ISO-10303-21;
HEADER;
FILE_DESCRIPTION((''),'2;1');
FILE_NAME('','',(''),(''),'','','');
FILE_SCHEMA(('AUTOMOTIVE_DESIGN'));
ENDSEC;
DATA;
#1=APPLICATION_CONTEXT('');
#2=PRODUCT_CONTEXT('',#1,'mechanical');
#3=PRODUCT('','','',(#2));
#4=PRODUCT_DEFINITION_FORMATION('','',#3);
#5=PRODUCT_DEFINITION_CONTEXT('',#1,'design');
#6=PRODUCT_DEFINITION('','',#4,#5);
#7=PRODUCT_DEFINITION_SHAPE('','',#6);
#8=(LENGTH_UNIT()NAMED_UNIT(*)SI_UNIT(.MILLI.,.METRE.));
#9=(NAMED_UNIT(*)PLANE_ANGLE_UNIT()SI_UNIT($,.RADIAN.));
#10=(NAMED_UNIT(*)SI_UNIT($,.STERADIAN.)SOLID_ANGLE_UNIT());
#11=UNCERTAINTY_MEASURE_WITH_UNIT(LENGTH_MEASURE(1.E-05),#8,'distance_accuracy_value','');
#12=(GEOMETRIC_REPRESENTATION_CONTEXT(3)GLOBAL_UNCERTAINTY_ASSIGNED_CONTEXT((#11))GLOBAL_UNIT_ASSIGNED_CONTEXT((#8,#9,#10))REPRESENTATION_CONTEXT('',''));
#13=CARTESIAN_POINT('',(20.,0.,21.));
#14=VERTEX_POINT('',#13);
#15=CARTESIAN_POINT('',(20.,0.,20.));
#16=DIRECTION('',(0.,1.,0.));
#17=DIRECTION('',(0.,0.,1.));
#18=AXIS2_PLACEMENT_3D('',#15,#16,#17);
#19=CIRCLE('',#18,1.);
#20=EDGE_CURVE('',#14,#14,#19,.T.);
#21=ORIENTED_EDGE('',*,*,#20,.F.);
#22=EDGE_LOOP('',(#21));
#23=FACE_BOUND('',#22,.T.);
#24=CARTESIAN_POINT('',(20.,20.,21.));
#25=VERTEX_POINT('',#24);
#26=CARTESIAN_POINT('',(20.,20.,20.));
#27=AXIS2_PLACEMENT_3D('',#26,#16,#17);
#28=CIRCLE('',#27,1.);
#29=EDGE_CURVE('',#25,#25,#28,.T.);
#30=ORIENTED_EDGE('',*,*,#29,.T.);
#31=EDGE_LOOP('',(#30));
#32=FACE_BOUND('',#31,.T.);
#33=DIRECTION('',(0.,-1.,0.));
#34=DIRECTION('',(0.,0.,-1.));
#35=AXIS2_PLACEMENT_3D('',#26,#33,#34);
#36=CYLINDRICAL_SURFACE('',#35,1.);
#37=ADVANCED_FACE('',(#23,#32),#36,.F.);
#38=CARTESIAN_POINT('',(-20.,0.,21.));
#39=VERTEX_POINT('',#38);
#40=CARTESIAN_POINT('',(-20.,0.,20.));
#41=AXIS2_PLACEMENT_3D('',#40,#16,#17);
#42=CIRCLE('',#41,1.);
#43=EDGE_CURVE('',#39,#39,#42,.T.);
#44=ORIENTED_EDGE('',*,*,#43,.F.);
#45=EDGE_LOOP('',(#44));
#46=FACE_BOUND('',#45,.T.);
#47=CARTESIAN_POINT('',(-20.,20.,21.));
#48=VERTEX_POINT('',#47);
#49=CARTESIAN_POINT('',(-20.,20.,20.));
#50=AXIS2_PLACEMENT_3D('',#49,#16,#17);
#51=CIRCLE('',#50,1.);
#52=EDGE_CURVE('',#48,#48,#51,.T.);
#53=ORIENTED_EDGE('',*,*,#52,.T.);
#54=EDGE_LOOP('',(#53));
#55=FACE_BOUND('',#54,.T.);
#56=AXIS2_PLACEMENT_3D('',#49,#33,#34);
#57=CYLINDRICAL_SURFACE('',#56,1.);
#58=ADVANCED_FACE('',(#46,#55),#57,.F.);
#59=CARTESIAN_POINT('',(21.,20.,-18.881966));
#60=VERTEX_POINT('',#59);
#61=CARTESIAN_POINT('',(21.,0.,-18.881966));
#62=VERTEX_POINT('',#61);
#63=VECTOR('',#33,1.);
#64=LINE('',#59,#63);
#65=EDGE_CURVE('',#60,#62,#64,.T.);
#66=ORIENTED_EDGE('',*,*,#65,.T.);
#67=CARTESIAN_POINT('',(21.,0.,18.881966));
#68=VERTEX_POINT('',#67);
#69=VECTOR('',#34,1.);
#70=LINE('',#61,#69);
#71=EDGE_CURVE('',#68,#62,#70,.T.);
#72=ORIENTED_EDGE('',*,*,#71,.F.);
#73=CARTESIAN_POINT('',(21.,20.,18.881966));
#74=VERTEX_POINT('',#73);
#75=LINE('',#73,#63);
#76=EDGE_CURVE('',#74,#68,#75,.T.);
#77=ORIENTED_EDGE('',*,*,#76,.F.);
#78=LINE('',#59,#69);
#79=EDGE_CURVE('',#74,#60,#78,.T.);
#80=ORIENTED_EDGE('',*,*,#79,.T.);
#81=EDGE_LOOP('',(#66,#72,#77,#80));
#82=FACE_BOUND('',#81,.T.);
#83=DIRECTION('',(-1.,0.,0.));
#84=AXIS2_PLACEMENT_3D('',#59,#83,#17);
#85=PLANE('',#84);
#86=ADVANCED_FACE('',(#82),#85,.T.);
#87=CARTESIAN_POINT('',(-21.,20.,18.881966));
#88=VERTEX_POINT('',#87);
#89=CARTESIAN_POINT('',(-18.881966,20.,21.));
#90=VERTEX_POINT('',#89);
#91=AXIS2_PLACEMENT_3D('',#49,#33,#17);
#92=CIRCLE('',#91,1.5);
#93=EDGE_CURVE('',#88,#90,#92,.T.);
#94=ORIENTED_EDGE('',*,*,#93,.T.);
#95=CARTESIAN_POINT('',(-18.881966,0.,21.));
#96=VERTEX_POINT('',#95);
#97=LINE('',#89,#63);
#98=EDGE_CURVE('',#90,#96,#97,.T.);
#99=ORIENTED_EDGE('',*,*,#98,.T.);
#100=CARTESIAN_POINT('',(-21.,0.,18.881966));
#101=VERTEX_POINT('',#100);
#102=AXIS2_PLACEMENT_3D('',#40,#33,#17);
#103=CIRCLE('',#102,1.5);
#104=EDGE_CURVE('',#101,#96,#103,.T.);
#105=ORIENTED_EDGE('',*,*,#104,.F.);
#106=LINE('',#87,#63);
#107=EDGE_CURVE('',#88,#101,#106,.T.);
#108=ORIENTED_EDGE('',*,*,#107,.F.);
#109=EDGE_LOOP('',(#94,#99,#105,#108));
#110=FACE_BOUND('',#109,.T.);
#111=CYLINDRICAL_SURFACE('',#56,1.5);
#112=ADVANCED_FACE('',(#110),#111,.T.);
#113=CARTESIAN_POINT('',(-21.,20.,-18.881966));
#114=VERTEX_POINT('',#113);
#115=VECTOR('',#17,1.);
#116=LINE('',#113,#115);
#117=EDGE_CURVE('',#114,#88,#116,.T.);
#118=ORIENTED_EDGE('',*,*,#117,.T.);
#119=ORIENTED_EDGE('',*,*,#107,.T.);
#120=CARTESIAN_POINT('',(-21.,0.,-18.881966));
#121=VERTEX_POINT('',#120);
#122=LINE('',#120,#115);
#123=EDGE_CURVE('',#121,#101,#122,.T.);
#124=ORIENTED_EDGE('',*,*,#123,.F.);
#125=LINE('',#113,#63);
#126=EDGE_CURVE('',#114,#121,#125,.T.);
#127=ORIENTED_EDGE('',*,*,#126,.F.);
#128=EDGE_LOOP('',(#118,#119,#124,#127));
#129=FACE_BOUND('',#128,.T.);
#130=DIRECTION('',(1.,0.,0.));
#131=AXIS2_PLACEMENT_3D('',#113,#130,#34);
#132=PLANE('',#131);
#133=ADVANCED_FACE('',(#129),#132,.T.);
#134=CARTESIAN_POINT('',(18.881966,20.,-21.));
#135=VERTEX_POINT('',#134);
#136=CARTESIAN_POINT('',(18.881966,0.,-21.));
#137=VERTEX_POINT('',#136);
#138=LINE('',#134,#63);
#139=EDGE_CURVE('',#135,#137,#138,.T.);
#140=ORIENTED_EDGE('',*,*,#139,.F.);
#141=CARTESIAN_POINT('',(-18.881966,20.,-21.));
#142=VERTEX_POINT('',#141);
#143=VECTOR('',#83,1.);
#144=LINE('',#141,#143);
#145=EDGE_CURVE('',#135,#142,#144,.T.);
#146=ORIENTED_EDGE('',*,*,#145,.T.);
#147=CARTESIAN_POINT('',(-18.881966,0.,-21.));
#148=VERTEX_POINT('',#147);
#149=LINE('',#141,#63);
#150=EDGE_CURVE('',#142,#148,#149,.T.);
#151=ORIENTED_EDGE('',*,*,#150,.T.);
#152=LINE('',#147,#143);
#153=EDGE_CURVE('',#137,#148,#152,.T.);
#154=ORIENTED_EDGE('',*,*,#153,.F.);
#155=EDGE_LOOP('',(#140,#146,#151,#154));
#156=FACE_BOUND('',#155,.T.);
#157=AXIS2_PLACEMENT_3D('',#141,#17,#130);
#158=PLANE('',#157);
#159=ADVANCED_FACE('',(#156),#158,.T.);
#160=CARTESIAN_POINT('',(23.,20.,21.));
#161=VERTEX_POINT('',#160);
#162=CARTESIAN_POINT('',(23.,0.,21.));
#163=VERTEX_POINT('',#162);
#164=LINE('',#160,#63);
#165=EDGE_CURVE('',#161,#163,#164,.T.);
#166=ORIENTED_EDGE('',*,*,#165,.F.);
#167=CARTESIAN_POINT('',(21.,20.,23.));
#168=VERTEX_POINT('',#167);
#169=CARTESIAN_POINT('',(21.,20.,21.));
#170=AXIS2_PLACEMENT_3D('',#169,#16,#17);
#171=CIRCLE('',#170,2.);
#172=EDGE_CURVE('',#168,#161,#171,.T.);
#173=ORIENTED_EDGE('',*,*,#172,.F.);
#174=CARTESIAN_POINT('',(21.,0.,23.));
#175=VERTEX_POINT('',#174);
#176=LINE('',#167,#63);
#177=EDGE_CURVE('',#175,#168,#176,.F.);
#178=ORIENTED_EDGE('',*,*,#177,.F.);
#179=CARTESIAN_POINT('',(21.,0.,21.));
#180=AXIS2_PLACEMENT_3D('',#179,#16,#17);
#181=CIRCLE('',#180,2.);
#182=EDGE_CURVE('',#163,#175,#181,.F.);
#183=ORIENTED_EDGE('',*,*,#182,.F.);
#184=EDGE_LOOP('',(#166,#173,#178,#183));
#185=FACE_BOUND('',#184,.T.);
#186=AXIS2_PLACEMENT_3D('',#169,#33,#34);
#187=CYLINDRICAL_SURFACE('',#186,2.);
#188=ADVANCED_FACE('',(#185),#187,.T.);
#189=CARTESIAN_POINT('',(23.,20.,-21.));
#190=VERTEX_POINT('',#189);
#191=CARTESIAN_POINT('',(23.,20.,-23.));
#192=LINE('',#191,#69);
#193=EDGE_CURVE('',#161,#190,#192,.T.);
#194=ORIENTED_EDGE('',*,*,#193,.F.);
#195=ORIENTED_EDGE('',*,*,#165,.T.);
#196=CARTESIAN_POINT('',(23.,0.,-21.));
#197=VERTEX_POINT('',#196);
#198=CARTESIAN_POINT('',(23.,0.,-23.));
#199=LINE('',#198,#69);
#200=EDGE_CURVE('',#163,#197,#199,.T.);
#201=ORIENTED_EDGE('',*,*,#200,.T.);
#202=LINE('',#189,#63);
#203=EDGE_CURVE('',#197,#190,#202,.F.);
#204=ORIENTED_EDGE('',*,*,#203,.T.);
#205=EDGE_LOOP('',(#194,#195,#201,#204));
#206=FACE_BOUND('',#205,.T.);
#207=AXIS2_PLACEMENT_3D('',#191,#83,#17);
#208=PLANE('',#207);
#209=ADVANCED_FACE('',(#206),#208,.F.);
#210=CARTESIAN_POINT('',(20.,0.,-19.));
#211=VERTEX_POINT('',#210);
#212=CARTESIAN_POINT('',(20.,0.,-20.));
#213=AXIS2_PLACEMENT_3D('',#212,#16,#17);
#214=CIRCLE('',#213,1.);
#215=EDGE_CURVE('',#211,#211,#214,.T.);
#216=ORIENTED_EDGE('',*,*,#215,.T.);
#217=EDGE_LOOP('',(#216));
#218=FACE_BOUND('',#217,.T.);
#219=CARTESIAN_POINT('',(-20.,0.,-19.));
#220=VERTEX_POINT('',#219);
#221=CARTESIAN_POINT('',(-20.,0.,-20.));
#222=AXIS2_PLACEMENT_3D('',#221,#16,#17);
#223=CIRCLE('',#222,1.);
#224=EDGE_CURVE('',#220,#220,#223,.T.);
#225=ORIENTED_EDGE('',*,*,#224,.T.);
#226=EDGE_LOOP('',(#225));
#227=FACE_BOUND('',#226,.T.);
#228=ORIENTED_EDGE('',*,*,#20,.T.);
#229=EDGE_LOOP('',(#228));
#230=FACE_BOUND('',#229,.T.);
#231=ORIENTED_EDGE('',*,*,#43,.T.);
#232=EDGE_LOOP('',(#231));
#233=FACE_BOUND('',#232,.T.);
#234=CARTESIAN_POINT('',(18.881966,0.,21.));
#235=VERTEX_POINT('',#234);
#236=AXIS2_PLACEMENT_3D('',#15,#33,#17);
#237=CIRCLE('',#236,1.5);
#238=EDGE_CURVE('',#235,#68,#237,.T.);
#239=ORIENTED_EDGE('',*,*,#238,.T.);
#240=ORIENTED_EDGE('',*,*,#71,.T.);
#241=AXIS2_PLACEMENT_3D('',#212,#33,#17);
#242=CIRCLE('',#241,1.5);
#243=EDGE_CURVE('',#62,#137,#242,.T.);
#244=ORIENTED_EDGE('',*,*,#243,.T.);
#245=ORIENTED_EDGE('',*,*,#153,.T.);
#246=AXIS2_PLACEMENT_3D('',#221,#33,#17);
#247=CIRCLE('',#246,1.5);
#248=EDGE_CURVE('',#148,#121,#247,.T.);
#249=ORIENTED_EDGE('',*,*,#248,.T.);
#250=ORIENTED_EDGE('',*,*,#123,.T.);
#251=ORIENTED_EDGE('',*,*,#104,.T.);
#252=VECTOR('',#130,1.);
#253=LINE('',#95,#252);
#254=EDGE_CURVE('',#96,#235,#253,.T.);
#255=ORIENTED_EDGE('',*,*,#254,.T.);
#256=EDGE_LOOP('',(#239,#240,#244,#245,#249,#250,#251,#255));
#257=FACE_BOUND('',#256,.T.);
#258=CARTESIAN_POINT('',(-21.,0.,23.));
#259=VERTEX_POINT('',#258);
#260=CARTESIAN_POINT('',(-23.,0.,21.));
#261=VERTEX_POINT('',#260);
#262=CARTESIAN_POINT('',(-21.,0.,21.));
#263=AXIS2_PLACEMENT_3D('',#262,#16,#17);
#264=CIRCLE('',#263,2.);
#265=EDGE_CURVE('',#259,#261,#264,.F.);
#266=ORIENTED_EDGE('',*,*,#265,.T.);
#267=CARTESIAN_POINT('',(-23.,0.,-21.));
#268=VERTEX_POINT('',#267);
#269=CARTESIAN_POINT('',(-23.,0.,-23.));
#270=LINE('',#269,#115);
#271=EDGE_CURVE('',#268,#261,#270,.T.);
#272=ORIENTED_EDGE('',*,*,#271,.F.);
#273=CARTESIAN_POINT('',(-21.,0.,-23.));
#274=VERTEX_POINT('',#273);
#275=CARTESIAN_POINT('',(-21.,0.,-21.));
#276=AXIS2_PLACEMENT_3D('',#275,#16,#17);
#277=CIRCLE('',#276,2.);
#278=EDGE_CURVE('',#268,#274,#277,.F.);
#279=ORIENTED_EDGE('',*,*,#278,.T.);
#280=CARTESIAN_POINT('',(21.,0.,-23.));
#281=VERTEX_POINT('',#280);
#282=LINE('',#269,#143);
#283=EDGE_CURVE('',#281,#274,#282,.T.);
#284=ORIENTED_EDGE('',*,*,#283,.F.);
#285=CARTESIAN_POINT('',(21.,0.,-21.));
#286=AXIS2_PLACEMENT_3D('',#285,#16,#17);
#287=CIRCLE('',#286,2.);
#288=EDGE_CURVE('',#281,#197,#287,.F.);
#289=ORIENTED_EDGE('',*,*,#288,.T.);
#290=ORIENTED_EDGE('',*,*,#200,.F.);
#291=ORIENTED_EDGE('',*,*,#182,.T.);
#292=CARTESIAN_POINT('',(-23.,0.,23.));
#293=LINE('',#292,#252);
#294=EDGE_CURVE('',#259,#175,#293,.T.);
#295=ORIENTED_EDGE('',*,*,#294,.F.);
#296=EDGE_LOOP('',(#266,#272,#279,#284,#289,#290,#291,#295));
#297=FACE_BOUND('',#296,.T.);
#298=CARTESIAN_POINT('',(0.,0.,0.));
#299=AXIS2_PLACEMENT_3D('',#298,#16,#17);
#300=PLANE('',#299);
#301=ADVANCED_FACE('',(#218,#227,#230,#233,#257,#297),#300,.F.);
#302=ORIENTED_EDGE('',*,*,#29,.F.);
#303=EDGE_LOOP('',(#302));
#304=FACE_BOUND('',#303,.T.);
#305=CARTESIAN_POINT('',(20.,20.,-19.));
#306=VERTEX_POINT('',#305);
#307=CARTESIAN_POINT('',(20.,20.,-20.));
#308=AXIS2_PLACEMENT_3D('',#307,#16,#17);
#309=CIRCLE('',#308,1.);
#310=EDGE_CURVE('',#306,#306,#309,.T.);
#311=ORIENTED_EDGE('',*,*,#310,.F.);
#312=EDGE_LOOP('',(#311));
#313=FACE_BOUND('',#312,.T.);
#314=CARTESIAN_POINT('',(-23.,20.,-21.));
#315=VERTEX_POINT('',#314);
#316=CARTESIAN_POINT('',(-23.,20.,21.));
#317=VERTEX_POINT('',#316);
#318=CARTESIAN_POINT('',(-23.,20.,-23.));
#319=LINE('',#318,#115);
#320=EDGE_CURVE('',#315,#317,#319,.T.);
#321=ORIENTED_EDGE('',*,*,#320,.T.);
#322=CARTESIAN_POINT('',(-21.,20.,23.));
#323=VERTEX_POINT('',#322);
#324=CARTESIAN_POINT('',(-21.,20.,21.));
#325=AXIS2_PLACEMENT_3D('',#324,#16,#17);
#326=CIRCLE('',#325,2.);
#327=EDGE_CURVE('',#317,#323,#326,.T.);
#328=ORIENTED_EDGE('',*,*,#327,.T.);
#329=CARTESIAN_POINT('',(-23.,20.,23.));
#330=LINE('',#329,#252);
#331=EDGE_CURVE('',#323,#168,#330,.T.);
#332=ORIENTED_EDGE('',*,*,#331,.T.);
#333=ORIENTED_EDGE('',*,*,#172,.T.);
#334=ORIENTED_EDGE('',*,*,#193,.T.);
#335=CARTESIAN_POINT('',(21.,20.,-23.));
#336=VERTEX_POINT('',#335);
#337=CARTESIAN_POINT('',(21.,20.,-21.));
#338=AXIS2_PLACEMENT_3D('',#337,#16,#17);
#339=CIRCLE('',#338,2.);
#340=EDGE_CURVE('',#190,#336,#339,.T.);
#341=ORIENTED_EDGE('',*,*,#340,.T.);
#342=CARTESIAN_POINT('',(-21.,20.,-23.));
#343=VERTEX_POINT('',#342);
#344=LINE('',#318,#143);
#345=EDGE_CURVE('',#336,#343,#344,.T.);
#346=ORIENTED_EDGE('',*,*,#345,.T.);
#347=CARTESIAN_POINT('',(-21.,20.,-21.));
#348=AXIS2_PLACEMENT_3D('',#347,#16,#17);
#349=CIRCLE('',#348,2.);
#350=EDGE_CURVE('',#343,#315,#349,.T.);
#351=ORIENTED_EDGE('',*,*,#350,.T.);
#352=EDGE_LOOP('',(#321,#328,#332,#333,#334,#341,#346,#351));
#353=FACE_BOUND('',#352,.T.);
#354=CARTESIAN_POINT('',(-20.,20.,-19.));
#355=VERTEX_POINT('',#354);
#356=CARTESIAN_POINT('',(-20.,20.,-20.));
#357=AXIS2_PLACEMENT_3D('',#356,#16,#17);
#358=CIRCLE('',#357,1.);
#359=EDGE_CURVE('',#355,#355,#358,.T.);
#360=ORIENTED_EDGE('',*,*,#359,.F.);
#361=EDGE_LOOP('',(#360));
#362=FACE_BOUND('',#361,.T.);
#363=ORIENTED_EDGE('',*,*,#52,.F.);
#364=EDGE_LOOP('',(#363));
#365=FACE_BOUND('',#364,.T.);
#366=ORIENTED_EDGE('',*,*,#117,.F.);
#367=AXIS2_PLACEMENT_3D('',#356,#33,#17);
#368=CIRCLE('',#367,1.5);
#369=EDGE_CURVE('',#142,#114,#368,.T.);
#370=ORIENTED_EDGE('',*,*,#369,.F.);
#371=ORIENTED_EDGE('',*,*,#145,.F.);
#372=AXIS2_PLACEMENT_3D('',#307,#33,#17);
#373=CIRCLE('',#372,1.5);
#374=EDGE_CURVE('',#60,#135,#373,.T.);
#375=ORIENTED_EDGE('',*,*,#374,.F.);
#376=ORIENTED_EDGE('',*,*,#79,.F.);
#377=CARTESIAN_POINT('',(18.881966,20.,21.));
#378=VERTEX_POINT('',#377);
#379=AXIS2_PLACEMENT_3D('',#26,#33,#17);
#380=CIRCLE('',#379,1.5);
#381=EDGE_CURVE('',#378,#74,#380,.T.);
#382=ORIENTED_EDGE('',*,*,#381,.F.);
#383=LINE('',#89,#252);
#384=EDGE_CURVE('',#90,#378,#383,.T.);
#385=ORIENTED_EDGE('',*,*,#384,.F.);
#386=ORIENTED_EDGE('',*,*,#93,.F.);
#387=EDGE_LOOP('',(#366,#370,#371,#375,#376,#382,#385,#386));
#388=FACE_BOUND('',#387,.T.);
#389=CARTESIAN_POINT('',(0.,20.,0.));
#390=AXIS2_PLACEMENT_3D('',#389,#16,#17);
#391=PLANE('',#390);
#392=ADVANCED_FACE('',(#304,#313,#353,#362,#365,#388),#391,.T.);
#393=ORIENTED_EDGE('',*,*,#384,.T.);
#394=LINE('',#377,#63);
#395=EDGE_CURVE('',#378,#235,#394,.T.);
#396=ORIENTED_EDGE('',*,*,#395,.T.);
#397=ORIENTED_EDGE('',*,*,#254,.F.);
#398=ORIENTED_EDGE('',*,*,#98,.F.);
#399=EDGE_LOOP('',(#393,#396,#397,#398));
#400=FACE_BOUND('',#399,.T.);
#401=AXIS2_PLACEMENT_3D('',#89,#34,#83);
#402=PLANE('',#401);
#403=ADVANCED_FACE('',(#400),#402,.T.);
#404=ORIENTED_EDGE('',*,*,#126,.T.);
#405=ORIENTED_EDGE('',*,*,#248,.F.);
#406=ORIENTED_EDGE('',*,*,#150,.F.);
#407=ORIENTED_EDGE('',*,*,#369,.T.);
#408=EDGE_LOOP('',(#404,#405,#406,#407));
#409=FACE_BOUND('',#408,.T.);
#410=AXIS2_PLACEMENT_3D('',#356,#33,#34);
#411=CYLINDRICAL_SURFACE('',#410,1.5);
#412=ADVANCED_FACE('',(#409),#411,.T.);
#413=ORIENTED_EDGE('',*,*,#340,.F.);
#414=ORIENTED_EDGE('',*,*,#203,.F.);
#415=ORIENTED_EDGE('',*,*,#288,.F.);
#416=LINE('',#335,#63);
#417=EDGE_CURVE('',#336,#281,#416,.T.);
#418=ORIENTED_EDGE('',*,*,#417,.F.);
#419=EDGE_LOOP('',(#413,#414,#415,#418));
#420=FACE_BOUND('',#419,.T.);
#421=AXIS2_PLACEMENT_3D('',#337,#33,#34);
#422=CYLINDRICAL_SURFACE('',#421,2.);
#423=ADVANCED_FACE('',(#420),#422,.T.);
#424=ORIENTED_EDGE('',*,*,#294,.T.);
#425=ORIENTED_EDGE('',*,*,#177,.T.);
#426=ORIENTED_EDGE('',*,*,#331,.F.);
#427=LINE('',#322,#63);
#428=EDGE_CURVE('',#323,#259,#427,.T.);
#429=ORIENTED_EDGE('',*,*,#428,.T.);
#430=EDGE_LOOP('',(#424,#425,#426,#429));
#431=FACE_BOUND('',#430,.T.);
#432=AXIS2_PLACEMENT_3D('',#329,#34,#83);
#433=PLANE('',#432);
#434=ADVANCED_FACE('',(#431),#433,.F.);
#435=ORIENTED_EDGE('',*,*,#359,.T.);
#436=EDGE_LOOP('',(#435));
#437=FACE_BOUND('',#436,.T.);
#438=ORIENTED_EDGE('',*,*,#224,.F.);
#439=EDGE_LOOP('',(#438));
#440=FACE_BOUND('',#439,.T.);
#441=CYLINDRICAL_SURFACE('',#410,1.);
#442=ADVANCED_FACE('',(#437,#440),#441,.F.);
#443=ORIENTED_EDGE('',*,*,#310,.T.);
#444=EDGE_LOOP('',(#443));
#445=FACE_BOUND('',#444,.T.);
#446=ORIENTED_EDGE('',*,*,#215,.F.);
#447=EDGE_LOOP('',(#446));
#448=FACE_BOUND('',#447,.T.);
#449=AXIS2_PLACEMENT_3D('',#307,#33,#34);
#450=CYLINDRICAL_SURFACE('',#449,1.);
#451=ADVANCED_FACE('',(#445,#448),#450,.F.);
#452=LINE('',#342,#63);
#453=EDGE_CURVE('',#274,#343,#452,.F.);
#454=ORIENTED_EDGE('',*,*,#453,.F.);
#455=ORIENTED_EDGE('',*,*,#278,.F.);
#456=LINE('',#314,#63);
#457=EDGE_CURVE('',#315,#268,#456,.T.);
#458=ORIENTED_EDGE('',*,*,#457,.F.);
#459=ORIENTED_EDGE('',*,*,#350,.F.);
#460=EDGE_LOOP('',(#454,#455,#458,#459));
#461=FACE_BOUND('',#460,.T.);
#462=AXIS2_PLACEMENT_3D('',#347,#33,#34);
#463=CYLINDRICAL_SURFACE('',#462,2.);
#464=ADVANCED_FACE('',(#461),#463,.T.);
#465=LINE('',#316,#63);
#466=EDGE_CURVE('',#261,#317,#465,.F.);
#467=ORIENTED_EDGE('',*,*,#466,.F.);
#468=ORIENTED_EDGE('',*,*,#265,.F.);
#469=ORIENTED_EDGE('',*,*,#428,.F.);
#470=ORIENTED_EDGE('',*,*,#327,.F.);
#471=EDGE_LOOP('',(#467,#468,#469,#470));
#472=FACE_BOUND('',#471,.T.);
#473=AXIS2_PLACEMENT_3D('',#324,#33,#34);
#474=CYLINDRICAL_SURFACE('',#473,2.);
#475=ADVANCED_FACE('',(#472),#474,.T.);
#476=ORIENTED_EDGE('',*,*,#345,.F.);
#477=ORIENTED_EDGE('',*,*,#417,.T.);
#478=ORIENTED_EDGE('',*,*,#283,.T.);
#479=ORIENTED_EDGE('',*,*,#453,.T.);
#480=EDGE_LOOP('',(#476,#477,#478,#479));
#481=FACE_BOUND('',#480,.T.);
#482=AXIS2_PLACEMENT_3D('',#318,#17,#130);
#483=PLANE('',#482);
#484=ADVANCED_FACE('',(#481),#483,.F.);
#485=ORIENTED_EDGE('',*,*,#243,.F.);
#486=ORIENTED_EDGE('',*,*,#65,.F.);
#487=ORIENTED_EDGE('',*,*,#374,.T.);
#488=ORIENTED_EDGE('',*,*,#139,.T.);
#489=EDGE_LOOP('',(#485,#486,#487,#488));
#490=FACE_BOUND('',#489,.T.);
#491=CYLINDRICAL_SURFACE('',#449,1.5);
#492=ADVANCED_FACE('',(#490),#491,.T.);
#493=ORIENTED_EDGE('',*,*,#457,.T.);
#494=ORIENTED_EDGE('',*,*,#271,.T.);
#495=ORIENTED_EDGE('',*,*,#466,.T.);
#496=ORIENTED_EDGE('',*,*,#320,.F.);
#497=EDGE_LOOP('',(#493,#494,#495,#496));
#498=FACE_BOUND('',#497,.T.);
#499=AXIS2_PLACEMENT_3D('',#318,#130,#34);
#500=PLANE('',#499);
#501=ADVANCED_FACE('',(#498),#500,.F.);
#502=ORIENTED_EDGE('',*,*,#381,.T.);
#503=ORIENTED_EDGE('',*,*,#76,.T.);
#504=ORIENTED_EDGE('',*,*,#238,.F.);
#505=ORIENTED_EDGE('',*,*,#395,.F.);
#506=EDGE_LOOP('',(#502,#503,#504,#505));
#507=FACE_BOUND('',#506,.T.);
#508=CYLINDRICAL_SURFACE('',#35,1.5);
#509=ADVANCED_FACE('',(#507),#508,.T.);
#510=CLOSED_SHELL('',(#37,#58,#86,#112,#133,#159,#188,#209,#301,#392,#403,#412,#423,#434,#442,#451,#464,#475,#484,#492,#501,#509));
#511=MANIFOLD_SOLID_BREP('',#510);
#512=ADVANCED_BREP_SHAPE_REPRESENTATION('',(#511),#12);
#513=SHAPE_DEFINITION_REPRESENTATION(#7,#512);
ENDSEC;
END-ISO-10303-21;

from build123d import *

# Parameters (mm, degrees)
SKETCH1_W           = 46
SKETCH1_H           = 46
SKETCH1_R           = 1
BOSS_EXTRUDE1_DEPTH = 20
FILLET1_R           = 2


with BuildPart() as part:
    # Sketch1 → Boss-Extrude1 (new body)
    with BuildSketch(Plane(origin=(0, 0, 0), x_dir=(1, 0, 0), z_dir=(0, 1, 0))):
        Rectangle(SKETCH1_W, SKETCH1_H)
        with Locations((-20, 20)):
            Circle(SKETCH1_R, mode=Mode.SUBTRACT)
        with Locations((20, 20)):
            Circle(SKETCH1_R, mode=Mode.SUBTRACT)
        with Locations((20, -20)):
            Circle(SKETCH1_R, mode=Mode.SUBTRACT)
        with Locations((-20, -20)):
            Circle(SKETCH1_R, mode=Mode.SUBTRACT)
        with BuildLine():
            Line((-18.881966011, 21), (18.881966011, 21))
            ThreePointArc((18.881966011, 21), (18.939339828, 18.939339828), (21, 18.881966011))
            Line((21, 18.881966011), (21, -18.881966011))
            ThreePointArc((21, -18.881966011), (18.939339828, -18.939339828), (18.881966011, -21))
            Line((18.881966011, -21), (-18.881966011, -21))
            ThreePointArc((-18.881966011, -21), (-18.939339828, -18.939339828), (-21, -18.881966011))
            Line((-21, -18.881966011), (-21, 18.881966011))
            ThreePointArc((-21, 18.881966011), (-18.939339828, 18.939339828), (-18.881966011, 21))
        make_face(mode=Mode.SUBTRACT)
    extrude(amount=BOSS_EXTRUDE1_DEPTH)

    # Fillet1
    fillet1_edges = [part.edges().sort_by_distance(p)[0] for p in [
        (23, 10, 23),
        (-23, 10, 23),
        (-23, 10, -23),
        (23, 10, -23),
    ]]
    fillet(fillet1_edges, radius=FILLET1_R)


solid = part.part
